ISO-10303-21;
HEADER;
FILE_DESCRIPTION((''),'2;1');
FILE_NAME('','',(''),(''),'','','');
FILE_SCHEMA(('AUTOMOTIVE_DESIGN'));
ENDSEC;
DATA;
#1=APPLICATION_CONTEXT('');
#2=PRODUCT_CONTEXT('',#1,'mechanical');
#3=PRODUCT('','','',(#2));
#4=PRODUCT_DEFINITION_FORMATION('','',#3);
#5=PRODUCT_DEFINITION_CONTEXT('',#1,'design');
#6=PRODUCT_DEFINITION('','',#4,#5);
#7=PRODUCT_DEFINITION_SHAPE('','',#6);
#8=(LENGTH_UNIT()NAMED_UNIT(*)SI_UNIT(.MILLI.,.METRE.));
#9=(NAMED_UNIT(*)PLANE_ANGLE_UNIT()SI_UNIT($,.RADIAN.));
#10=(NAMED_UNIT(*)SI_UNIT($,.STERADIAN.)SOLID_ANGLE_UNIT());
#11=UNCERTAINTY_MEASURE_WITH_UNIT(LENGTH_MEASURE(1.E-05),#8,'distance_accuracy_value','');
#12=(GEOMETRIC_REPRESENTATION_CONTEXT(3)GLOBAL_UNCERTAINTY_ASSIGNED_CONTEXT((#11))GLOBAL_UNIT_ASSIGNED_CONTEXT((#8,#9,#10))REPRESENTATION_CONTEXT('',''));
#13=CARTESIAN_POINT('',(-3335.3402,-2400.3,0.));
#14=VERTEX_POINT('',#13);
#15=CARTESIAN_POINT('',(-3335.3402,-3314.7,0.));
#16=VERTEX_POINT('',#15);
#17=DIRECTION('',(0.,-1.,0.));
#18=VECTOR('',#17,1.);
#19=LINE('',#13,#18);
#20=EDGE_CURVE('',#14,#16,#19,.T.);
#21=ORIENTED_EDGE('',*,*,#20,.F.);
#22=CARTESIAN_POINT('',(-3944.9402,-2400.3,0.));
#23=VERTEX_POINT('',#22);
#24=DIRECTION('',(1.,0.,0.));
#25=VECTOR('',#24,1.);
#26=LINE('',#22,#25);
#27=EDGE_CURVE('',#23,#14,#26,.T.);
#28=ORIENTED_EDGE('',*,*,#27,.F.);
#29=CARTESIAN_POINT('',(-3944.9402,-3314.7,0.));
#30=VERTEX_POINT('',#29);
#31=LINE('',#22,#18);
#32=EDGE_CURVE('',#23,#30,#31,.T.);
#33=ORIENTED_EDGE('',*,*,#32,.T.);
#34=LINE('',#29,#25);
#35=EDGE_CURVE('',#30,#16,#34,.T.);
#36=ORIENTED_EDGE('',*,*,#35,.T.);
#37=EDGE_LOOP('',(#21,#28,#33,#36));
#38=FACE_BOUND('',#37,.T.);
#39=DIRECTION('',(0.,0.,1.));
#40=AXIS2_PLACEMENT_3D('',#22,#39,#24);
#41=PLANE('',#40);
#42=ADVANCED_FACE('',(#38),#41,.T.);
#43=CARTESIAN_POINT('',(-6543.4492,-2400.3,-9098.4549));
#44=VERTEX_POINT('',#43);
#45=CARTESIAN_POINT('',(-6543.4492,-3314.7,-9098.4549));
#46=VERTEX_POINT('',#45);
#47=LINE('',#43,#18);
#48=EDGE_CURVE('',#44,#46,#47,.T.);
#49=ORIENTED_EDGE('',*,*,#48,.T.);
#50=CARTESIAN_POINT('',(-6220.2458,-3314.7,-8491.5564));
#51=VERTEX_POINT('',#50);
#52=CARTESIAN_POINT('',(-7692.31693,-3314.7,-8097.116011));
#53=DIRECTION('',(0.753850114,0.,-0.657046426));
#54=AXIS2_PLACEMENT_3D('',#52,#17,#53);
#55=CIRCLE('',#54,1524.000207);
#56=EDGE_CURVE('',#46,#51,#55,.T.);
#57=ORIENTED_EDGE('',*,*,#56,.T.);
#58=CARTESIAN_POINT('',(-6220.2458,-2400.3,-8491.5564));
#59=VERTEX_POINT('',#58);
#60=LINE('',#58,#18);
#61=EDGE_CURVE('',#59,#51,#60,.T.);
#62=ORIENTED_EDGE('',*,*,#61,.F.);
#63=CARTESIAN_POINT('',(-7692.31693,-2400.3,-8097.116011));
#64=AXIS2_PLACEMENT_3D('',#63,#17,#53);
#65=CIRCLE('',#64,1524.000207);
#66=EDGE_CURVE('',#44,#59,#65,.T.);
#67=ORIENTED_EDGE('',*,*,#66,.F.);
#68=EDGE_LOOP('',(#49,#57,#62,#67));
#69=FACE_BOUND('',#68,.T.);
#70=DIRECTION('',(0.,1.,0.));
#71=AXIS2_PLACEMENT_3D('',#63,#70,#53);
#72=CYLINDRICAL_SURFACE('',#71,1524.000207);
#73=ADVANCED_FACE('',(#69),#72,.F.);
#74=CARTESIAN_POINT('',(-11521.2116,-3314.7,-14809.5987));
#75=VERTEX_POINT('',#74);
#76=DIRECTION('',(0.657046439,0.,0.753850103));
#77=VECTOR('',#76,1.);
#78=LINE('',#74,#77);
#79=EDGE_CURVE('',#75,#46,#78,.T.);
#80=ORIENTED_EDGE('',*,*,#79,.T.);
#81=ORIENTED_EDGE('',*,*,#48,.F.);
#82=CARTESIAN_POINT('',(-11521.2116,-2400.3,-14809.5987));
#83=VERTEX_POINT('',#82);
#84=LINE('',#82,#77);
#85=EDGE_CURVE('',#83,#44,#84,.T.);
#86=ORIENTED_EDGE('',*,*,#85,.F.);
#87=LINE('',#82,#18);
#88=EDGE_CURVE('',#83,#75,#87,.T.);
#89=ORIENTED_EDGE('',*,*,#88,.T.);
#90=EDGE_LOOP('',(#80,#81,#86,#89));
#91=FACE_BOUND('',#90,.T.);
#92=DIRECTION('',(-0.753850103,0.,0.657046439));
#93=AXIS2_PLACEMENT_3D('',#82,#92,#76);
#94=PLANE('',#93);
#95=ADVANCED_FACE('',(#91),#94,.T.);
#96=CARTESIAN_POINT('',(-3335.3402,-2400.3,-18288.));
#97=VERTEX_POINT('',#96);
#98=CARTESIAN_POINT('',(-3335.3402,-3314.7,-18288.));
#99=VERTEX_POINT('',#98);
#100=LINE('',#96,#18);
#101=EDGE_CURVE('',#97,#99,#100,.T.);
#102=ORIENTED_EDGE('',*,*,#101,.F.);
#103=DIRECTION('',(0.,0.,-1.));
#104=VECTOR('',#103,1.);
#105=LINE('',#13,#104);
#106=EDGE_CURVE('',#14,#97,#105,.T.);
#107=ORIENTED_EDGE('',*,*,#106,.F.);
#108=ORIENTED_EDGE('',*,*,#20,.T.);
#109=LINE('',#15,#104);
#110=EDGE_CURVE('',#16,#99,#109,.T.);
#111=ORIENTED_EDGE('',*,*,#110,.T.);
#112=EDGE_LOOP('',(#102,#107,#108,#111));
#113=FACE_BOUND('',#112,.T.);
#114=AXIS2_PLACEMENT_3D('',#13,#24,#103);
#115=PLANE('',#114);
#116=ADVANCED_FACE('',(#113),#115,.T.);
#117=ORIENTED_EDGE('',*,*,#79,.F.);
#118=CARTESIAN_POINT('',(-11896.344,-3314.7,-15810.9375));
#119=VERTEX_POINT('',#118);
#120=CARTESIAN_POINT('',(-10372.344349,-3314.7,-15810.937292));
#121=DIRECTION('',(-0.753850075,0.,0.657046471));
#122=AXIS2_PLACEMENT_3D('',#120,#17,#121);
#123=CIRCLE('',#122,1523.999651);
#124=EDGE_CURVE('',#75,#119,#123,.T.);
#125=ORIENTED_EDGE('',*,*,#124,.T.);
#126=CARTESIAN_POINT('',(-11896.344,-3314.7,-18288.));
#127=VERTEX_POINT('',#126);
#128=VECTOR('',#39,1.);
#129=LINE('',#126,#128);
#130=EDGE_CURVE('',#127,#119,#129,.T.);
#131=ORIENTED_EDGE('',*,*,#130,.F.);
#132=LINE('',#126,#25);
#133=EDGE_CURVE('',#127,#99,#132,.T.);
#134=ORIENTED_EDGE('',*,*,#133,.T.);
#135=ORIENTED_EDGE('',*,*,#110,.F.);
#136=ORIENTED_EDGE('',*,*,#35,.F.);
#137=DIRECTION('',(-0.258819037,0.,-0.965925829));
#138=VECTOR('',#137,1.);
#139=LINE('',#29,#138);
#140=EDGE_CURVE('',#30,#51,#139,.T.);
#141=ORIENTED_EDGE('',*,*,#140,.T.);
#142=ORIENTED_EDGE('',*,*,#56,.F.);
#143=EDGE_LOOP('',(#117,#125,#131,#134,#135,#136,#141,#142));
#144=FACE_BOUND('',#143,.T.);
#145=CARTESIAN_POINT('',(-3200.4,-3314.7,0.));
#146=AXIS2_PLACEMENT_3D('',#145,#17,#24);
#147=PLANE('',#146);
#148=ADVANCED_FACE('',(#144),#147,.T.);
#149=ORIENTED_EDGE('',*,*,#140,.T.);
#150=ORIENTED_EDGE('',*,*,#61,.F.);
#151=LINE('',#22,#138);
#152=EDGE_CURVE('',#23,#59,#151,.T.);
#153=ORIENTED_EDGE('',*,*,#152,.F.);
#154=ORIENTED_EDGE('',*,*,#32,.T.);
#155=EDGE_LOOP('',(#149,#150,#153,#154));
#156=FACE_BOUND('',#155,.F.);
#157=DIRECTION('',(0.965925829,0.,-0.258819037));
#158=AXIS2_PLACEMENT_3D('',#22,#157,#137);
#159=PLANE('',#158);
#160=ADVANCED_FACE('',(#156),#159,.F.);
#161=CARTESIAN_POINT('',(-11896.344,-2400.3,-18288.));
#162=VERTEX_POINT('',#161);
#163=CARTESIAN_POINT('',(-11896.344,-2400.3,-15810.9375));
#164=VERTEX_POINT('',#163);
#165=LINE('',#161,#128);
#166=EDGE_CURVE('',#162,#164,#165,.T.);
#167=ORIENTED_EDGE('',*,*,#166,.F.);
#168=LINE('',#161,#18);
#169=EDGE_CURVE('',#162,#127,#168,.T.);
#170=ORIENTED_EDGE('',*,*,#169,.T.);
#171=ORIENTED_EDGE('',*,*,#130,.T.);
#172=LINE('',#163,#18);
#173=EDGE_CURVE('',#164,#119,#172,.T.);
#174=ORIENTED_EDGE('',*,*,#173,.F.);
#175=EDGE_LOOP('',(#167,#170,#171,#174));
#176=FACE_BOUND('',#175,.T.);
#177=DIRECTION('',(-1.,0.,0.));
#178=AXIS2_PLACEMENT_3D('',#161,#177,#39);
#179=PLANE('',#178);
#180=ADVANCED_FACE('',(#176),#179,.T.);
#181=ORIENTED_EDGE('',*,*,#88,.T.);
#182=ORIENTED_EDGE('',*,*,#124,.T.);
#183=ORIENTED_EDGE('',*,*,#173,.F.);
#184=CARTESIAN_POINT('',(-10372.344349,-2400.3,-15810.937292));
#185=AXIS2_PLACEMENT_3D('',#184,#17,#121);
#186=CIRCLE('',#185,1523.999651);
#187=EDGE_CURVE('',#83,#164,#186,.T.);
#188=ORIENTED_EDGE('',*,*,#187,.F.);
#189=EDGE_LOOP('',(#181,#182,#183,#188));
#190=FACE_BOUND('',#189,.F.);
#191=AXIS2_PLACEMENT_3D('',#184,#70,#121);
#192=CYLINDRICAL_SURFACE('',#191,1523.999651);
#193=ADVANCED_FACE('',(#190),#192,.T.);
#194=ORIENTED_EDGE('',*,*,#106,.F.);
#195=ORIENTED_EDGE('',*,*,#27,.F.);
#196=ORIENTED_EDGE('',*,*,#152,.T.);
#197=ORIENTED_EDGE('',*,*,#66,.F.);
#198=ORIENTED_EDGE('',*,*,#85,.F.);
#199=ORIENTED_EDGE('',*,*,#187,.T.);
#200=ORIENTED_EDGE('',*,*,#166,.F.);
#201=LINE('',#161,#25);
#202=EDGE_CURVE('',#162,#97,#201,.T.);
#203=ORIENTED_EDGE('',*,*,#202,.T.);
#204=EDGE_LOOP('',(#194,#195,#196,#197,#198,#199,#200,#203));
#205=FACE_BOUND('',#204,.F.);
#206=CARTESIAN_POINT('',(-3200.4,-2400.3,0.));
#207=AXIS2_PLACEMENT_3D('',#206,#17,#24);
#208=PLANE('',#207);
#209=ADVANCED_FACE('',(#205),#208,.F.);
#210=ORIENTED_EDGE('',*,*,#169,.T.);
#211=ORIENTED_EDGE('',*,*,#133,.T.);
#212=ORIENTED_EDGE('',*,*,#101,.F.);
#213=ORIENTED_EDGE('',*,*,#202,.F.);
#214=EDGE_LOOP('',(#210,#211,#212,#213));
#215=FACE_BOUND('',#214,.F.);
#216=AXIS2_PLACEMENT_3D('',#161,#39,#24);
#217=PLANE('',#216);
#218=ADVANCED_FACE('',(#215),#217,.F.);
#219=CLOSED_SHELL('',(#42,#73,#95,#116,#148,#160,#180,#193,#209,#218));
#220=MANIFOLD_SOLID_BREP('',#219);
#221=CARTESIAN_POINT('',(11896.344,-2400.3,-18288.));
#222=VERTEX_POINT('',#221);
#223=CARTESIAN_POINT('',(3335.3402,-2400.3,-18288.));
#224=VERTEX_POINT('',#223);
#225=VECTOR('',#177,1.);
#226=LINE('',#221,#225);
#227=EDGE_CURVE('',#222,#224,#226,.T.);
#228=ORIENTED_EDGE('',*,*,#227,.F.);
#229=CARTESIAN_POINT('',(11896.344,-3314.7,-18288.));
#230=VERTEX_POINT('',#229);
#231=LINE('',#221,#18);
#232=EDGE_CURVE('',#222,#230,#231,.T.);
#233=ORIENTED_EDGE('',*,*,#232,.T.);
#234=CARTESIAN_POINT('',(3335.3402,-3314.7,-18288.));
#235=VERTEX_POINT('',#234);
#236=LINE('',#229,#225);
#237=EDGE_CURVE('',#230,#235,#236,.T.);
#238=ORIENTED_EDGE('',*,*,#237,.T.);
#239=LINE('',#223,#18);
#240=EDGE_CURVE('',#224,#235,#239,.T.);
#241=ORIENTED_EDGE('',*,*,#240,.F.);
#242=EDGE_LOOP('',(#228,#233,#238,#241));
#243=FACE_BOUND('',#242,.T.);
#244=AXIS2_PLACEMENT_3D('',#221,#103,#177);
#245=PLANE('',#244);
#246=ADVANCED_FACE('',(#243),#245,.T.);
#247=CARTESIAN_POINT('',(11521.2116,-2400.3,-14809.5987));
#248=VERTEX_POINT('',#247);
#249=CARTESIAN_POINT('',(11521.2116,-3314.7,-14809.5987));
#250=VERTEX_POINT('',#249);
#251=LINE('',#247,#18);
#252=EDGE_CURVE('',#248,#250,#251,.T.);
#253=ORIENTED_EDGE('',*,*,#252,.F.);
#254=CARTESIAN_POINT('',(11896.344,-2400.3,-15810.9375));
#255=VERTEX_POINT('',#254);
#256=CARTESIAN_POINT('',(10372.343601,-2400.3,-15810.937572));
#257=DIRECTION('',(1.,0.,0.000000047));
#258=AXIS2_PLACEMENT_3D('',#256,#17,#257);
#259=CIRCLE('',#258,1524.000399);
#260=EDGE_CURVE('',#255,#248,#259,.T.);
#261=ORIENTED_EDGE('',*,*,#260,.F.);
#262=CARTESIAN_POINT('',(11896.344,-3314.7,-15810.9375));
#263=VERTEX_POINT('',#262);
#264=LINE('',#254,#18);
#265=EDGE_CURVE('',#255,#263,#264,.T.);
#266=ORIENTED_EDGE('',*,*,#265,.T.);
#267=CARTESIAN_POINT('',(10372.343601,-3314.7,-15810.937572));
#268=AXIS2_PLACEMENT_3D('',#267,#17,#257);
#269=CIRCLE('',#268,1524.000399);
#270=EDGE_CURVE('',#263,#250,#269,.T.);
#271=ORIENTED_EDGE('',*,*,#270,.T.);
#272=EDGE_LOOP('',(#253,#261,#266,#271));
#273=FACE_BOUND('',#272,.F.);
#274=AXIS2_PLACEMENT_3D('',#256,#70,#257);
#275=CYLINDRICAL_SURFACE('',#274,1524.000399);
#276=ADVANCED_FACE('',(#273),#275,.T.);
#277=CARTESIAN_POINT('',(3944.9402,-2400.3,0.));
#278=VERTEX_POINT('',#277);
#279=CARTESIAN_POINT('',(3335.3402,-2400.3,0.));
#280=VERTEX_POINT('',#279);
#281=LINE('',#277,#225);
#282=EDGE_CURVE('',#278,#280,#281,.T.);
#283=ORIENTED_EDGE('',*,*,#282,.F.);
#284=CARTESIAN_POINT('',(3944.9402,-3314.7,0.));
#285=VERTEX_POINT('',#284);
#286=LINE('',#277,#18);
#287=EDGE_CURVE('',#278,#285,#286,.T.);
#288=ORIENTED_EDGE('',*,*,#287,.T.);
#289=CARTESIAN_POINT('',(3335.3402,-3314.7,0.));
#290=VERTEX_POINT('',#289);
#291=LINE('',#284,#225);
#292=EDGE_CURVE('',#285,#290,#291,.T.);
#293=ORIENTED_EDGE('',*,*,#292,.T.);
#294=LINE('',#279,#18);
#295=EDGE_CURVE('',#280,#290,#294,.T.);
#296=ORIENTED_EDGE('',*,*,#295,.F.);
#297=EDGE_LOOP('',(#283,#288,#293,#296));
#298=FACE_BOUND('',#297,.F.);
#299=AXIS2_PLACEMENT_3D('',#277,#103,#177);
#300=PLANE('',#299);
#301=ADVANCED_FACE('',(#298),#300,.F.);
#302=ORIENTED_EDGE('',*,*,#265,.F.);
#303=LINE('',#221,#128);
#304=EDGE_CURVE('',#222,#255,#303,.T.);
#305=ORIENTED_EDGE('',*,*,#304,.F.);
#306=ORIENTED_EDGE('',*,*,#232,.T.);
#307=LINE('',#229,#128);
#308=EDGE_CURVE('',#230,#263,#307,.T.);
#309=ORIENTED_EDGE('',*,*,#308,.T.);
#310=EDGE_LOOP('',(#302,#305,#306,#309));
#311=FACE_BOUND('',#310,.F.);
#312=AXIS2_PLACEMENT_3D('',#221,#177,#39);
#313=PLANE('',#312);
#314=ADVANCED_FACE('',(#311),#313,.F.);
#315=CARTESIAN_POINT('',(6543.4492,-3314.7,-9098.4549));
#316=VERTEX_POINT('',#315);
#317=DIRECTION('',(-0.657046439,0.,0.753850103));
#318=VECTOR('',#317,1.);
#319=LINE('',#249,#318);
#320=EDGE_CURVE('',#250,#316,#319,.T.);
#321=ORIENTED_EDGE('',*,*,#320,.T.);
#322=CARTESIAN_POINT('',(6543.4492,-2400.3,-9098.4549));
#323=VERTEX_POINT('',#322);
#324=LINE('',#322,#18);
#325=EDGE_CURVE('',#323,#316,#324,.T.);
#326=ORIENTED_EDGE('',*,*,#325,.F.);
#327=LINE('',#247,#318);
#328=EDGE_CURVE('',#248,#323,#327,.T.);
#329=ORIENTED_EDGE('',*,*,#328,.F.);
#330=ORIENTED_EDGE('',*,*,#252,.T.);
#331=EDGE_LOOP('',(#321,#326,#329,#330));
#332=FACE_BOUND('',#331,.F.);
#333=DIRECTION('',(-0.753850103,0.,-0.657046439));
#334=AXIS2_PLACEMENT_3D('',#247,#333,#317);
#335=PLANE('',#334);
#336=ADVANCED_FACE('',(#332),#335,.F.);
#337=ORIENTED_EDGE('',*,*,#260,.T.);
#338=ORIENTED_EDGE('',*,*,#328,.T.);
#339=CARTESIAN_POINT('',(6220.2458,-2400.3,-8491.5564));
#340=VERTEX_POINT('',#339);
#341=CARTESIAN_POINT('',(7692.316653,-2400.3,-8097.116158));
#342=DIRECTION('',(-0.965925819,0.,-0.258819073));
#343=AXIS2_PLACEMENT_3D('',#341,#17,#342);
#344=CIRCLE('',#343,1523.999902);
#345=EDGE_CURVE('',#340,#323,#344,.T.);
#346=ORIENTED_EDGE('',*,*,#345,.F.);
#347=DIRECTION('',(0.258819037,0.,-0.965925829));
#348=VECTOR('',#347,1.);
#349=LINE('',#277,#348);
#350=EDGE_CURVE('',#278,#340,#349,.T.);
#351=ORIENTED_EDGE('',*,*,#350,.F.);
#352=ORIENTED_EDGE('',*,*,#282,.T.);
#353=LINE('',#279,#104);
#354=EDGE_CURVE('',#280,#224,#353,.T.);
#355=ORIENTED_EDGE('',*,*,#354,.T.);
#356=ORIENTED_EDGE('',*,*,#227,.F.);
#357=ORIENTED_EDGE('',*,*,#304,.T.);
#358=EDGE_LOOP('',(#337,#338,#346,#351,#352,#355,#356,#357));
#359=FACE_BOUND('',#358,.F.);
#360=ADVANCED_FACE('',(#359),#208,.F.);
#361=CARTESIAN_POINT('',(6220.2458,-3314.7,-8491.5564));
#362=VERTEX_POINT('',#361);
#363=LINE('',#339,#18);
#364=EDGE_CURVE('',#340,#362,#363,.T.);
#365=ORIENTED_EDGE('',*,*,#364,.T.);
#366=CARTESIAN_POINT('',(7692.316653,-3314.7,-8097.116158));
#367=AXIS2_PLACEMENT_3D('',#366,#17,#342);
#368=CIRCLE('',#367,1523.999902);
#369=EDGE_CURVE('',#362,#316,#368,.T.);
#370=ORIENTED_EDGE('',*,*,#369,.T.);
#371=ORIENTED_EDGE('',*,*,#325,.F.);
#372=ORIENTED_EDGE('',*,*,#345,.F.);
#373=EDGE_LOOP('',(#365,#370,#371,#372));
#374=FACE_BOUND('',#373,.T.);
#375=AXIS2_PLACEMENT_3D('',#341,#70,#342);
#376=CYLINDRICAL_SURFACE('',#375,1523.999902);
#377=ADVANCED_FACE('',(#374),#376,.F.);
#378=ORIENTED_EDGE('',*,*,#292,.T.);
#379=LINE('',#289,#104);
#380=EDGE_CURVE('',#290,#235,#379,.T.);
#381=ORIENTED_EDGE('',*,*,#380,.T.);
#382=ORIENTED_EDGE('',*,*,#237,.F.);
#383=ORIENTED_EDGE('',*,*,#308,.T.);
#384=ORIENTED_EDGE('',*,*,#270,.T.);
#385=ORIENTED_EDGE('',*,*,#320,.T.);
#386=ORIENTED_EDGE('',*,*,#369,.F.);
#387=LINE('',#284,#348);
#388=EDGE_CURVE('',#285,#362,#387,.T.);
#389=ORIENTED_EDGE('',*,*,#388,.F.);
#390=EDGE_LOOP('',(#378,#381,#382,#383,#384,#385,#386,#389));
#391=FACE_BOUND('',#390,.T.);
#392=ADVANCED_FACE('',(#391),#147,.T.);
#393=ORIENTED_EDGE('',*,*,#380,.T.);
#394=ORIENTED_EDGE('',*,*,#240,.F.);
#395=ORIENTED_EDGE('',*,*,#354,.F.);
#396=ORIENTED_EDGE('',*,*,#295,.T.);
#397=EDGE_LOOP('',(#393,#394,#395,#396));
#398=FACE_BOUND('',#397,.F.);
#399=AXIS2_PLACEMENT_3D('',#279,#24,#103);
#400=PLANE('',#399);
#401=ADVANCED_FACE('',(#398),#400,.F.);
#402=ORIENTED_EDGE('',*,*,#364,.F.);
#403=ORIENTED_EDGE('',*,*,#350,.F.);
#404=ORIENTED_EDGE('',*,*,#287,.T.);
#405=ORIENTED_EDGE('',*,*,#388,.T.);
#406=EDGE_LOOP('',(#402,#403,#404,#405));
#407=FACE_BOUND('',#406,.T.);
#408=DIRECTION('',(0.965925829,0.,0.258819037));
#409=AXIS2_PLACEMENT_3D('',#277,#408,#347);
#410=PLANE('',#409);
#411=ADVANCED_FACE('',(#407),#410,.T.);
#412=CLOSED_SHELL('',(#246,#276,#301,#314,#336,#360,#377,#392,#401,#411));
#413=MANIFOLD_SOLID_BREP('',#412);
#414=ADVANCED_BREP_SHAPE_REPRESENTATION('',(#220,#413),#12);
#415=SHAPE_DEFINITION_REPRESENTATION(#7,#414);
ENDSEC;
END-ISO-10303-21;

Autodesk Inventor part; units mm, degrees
ref_plane "YZ Plane" through (0, 0, 0) normal (1, 0, 0) x (0, 1, 0)
ref_plane "XZ Plane" through (0, 0, 0) normal (0, 1, 0) x (-1, 0, 0)
ref_plane "Work Plane8" through (-3200.4, -2400.3, 0) normal (0, -1, 0) x (1, 0, 0)
sketch "Sketch14" plane through (-3200.4, -2400.3, 0) normal (0, -1, 0) x (1, 0, 0)
  line L0 (-744.5402, 0) -> (-3019.8458, -8491.5564)
  line L1 (-744.5402, 0) -> (8046.5659, 0) construction
  line L2 (-8695.944, -18288) -> (-8695.944, -15810.9375)
  line L3 (-8320.8116, -14809.5987) -> (-3343.0492, -9098.4549)
  arc A0 (-3343.0492, -9098.4549) -> (-3019.8458, -8491.5564) centre (-4491.9168, -8097.1161) ccw
  arc A1 (-8320.8116, -14809.5987) -> (-8695.944, -15810.9375) centre (-7171.944, -15810.9375) ccw
  line L4 (7145.3402, 0) -> (9420.6458, -8491.5564)
  line L5 (15096.744, -18288) -> (15096.744, -15810.9375)
  line L6 (14721.6116, -14809.5987) -> (9743.8492, -9098.4549)
  arc A2 (15096.744, -15810.9375) -> (14721.6116, -14809.5987) centre (13572.744, -15810.9375) ccw
  arc A3 (9420.6458, -8491.5564) -> (9743.8492, -9098.4549) centre (10892.7168, -8097.1161) ccw
  line L7 (-8695.944, -18288) -> (-134.9402, -18288)
  line L8 (15096.744, -18288) -> (6535.7402, -18288)
  line L9 (-744.5402, 0) -> (-134.9402, 0)
  line L10 (-134.9402, 0) -> (-134.9402, -18288)
  line L11 (7145.3402, 0) -> (6535.7402, 0)
  line L12 (6535.7402, 0) -> (6535.7402, -18288)
  point P0 (3200.4, -18288)
  point P1 (-3111.1815, -8832.4258)
  point P2 (-8695.944, -15240)
  dimension "d47" = 9144
  dimension "d48" = 105
  dimension "d49" = 3048
  dimension "d50" = 1524
  dimension "d51" = 1524
  dimension "d60" = 609.6
  dimension "d61" = 609.6
extrude "Extrusion9" add sketch "Sketch14" along normal blind 914.4
properties part number "wings" material "Steel, Mild"
